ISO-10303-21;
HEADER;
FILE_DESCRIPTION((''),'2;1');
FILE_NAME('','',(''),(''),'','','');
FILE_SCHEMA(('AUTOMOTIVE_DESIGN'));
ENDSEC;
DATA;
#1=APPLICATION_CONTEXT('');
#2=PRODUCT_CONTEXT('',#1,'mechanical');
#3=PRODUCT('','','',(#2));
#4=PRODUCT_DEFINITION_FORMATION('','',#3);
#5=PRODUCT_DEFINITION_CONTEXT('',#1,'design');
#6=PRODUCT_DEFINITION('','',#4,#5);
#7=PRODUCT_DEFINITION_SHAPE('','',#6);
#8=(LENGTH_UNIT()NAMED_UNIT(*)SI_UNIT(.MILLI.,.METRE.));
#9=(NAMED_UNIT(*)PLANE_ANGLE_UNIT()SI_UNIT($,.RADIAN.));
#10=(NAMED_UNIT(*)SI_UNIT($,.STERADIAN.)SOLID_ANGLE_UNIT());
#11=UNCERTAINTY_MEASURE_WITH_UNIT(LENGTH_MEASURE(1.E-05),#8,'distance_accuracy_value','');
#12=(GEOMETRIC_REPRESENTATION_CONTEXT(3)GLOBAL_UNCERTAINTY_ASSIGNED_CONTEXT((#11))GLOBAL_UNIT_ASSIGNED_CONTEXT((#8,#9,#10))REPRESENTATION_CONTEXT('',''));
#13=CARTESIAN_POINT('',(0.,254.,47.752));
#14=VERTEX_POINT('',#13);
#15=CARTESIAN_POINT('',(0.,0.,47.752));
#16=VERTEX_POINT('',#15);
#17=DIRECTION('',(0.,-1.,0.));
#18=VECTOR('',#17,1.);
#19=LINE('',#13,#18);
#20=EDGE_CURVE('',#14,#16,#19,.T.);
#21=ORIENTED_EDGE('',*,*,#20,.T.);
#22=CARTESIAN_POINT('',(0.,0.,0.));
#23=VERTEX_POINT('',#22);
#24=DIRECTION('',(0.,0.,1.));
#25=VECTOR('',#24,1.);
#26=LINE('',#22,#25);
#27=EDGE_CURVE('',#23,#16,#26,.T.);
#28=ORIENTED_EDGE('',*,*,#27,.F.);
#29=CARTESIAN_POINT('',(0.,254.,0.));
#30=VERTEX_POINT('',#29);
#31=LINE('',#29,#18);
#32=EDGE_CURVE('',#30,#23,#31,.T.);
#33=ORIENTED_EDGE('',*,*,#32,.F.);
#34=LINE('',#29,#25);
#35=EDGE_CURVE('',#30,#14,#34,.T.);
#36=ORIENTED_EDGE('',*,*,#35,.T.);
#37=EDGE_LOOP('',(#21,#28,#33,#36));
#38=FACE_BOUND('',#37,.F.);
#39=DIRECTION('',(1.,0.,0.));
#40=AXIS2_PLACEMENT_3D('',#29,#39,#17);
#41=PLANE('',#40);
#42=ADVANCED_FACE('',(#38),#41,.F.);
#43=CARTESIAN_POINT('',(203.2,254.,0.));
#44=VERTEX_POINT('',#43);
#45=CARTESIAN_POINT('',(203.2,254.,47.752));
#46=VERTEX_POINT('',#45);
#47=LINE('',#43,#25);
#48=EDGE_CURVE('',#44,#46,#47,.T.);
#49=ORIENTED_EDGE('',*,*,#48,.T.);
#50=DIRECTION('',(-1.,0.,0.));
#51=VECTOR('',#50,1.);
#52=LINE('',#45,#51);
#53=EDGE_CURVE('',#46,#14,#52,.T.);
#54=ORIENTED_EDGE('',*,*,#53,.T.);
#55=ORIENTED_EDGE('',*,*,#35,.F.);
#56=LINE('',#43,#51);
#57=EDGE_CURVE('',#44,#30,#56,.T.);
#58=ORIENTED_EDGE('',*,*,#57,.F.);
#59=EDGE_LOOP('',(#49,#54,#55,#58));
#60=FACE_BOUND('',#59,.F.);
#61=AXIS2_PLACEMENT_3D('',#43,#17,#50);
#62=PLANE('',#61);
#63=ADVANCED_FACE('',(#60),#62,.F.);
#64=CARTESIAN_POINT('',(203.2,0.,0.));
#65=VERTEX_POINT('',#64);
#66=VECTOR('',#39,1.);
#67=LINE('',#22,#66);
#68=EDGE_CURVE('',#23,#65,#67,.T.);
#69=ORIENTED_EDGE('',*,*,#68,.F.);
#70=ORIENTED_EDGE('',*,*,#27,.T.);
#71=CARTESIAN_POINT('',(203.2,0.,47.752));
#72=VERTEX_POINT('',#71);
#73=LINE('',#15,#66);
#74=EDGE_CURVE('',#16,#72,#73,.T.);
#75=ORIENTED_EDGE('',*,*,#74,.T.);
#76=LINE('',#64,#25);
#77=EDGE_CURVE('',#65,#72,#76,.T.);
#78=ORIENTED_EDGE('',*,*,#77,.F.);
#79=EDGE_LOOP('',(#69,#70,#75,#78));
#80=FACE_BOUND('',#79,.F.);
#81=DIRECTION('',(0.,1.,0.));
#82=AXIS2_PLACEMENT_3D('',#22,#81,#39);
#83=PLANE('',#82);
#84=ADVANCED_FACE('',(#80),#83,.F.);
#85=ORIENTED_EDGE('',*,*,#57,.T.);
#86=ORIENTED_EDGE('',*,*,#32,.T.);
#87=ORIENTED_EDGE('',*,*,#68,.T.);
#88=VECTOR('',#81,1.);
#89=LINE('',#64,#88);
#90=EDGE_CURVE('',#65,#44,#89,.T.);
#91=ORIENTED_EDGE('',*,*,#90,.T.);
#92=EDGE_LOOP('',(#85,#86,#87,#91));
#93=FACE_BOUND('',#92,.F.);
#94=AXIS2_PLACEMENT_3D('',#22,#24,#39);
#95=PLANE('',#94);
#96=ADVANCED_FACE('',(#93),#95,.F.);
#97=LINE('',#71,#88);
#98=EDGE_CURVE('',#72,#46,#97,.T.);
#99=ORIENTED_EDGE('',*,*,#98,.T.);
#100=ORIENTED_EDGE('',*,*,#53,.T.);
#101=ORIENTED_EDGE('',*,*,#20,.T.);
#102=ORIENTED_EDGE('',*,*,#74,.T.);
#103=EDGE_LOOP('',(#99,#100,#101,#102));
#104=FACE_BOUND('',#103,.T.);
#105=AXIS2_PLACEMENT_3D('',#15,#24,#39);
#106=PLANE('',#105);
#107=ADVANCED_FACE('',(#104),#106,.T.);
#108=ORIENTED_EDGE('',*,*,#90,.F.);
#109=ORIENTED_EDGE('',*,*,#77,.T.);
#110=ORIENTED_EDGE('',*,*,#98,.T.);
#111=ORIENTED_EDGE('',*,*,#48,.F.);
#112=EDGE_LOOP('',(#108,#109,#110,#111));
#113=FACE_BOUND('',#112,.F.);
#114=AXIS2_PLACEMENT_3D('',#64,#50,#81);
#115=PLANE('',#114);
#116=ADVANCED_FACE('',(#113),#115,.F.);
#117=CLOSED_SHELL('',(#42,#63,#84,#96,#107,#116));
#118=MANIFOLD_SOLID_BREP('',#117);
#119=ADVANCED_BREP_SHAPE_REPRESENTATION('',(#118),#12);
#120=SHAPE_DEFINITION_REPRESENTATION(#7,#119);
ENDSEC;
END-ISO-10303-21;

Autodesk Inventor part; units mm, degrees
ref_plane "YZ Plane" through (0, 0, 0) normal (1, 0, 0) x (0, 1, 0)
ref_plane "XZ Plane" through (0, 0, 0) normal (0, 1, 0) x (-1, 0, 0)
ref_plane "XY Plane" through (0, 0, 0) normal (0, 0, 1) x (1, 0, 0)
sketch "Sketch1" plane through (0, 0, 0) normal (0, 0, 1) x (1, 0, 0)
  line L0 (0, 0) -> (203.2, 0)
  line L1 (203.2, 0) -> (203.2, 254)
  line L2 (203.2, 254) -> (0, 254)
  line L3 (0, 254) -> (0, 0)
  dimension "d0" = 203.2
  dimension "d1" = 254
extrude "Extrusion1" add sketch "Sketch1" along normal blind 47.752
properties part number "snap" material "Brass, Soft Yellow"
